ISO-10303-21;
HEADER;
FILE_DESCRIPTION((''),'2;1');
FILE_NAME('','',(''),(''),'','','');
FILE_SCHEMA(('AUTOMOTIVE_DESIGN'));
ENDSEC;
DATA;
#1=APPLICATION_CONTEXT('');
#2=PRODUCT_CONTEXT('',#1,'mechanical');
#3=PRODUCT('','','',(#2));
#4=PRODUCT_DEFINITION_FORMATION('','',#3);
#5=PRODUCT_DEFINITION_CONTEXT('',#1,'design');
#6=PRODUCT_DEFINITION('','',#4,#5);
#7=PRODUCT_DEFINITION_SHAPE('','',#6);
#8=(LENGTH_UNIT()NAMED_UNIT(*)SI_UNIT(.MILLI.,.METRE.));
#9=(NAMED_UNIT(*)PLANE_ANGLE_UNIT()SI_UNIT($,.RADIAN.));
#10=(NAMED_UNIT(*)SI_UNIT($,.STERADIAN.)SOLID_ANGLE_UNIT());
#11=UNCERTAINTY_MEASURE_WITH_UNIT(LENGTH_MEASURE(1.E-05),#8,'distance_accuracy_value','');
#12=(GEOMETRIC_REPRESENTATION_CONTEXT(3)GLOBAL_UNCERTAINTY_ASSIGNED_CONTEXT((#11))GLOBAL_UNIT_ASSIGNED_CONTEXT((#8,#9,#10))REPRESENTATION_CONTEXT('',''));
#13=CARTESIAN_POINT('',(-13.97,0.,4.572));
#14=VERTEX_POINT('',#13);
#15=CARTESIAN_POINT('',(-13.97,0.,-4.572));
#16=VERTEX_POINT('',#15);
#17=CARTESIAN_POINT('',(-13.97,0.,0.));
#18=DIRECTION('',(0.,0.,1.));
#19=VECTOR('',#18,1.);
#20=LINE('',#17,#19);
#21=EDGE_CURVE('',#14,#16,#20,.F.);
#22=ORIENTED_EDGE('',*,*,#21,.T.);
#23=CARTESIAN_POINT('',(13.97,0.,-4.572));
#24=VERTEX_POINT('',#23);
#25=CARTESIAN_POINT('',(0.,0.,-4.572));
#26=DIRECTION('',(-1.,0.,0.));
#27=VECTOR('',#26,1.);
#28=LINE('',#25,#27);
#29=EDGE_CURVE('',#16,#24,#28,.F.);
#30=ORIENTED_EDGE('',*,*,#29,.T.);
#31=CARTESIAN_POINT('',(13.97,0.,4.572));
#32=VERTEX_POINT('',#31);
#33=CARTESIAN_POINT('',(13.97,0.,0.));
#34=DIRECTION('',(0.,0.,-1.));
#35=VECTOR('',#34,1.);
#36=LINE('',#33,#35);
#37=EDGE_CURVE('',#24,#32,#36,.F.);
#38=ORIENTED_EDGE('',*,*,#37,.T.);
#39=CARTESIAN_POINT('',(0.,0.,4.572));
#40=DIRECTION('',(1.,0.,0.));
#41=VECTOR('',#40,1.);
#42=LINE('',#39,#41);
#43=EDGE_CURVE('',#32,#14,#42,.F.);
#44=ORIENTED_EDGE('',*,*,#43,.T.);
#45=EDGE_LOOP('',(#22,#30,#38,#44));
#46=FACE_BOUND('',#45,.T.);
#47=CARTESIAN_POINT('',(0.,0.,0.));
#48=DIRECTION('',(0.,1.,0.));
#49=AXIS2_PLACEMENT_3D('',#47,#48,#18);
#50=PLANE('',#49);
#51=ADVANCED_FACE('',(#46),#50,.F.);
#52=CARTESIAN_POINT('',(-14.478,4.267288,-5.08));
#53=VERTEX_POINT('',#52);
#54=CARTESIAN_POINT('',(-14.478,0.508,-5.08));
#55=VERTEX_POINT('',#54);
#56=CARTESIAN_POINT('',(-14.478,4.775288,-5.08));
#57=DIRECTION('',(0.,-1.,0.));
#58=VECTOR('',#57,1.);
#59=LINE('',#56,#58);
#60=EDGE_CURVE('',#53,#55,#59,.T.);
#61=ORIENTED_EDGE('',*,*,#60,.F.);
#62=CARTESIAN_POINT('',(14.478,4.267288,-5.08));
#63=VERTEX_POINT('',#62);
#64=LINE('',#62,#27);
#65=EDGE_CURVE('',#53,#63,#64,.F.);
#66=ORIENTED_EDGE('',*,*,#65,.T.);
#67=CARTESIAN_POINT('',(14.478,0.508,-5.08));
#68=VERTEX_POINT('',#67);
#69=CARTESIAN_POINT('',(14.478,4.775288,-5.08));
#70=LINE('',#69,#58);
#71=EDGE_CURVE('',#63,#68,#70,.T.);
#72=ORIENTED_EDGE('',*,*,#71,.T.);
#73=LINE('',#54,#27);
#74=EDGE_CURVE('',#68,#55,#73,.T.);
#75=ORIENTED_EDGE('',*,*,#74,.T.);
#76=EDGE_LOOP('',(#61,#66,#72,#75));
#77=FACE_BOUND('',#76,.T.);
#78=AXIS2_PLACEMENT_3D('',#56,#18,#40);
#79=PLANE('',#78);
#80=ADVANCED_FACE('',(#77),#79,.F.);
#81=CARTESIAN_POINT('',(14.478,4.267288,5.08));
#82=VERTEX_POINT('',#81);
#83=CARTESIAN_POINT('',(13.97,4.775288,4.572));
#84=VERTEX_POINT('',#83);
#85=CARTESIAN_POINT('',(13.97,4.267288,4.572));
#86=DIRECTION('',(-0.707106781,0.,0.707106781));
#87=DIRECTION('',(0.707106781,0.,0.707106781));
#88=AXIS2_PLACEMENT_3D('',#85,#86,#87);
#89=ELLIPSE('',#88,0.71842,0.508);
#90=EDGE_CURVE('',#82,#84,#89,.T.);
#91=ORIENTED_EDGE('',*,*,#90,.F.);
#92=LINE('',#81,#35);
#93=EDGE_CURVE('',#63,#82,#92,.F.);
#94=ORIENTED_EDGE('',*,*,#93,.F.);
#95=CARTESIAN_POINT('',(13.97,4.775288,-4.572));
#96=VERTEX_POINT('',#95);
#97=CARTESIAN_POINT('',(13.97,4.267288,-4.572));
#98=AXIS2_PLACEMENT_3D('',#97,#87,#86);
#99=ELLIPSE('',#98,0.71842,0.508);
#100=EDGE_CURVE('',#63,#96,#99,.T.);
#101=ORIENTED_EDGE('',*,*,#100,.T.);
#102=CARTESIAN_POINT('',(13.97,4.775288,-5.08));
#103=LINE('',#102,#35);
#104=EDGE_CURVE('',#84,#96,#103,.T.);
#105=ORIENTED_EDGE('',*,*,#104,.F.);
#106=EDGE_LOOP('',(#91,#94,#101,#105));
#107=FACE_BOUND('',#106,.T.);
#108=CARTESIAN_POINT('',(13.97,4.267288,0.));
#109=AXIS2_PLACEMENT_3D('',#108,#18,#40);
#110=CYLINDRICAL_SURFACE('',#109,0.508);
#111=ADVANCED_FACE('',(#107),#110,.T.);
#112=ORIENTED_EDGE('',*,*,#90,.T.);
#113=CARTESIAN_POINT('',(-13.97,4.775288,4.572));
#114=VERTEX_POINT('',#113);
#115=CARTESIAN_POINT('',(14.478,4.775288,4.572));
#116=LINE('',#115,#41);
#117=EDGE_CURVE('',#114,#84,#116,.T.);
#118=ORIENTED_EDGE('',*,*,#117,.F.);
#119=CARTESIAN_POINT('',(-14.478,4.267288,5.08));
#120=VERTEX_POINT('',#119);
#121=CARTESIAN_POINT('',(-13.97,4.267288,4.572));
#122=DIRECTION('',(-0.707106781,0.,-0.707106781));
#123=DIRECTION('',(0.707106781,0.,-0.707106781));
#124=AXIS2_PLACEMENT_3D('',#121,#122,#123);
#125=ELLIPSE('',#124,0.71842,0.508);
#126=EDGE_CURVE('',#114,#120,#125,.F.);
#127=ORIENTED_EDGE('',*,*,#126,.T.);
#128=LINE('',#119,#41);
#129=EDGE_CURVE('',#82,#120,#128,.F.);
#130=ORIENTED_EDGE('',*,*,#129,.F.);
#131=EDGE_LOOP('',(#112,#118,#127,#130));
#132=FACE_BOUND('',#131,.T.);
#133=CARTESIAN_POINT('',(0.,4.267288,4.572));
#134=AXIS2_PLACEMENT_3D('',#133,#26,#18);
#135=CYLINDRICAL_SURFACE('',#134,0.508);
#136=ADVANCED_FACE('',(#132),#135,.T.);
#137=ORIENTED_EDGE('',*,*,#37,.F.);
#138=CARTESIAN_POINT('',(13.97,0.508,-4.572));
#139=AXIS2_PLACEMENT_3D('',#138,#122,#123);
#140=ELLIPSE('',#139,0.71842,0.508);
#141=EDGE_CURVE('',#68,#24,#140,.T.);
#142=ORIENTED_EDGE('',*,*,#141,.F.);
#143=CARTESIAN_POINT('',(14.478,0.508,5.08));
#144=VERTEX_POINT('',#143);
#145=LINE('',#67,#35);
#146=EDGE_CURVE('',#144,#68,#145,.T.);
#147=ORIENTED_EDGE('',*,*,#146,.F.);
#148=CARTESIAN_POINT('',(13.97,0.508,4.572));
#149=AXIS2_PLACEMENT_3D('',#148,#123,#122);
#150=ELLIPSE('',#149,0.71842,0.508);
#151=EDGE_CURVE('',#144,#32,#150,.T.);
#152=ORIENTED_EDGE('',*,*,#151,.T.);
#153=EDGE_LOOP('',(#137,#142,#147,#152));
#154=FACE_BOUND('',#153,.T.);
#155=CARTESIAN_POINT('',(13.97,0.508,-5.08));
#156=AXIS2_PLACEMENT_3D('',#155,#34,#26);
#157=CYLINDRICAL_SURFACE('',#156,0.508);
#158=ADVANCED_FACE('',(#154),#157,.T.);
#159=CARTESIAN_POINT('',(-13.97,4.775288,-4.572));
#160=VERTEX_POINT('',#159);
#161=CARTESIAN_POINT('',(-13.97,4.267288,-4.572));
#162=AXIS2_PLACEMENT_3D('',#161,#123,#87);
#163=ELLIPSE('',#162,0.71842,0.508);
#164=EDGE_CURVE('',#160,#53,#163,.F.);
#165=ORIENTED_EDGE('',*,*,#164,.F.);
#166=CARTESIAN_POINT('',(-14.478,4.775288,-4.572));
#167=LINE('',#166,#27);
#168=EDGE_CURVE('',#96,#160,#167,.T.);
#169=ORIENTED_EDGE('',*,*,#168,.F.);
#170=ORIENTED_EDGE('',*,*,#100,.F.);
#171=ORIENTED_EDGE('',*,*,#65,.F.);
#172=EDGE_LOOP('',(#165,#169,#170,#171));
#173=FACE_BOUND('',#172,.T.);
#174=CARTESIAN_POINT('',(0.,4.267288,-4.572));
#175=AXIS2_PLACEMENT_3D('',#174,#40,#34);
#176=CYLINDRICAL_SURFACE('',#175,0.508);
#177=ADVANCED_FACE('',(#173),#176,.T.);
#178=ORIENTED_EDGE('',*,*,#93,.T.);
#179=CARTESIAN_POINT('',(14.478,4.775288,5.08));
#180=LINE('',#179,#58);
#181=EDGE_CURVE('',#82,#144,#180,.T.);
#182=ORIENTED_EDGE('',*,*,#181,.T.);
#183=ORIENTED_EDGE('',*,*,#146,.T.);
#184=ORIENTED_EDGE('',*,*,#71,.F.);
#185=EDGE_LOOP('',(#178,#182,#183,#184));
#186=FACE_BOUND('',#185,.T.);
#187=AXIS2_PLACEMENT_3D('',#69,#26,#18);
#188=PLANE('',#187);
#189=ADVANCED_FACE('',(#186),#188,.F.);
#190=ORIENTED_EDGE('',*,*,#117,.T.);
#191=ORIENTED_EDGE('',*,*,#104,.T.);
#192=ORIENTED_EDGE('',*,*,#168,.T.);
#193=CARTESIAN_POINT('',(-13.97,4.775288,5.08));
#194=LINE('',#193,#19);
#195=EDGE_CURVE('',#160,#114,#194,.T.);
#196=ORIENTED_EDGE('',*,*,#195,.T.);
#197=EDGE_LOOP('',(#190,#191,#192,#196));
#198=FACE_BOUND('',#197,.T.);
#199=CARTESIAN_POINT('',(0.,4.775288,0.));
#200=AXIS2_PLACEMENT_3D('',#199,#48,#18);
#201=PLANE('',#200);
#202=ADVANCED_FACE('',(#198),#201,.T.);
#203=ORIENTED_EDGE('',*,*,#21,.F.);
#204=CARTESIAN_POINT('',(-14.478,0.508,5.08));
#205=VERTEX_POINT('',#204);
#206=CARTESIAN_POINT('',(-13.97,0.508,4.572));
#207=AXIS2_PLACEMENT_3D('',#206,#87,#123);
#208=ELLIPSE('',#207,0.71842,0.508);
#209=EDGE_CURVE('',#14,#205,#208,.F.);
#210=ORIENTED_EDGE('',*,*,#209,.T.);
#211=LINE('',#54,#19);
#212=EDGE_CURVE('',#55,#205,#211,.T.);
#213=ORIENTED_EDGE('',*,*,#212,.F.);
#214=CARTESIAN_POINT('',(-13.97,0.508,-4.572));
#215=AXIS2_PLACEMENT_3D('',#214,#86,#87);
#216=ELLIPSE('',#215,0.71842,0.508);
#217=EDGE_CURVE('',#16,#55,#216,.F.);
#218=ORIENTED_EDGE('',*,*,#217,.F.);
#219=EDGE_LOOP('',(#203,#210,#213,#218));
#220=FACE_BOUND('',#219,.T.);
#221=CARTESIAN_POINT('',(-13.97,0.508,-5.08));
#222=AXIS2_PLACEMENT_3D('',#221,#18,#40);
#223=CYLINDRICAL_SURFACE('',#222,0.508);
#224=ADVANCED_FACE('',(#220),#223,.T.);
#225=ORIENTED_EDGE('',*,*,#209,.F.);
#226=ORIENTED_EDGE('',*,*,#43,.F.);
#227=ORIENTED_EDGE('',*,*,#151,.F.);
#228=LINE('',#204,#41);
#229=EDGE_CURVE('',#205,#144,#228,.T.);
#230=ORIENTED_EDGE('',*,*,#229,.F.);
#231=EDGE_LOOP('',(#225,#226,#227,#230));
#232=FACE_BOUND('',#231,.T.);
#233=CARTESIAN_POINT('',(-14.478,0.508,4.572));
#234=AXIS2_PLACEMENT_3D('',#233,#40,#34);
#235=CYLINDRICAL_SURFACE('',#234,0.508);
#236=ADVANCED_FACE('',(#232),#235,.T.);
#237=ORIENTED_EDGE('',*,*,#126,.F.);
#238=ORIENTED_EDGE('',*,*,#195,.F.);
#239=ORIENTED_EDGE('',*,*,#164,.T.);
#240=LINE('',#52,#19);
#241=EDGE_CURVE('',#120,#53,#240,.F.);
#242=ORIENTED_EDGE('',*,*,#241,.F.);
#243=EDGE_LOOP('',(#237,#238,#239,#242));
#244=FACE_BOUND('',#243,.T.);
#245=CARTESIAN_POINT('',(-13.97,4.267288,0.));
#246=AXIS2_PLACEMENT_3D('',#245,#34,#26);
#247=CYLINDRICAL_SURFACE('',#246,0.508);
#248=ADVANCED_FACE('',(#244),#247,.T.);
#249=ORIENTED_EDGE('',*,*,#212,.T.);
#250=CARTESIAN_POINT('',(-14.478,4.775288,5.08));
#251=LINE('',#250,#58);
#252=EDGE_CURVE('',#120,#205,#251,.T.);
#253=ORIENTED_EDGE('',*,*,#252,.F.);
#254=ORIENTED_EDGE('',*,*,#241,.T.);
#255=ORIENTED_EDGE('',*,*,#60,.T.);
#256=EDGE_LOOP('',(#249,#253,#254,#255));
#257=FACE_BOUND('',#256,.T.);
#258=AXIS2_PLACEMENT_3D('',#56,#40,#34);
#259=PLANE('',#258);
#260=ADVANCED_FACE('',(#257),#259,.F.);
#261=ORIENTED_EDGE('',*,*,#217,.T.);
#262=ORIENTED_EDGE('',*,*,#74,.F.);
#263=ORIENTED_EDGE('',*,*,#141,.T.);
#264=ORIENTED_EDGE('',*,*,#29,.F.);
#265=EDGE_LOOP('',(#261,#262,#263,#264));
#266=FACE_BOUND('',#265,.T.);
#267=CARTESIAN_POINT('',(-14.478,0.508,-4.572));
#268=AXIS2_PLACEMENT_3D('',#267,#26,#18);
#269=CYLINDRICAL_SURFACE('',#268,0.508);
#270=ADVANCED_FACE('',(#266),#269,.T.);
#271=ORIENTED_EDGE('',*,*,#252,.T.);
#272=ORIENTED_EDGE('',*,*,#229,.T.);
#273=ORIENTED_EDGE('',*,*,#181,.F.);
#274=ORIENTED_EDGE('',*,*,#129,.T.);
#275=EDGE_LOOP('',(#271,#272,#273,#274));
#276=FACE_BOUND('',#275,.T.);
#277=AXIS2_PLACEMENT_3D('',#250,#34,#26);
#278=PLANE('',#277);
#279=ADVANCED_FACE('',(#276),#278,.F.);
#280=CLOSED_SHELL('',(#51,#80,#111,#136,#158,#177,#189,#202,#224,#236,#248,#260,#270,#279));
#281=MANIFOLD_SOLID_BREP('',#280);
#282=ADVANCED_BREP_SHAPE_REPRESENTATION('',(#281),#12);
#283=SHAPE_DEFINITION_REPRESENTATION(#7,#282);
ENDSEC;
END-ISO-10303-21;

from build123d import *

# Parameters (mm, degrees)
SKETCH1_W           = 28.956
SKETCH1_H           = 10.16
BOSS_EXTRUDE1_DEPTH = 4.775287897
FILLET1_R           = 0.508


with BuildPart() as part:
    # Sketch1 → Boss-Extrude1 (new body)
    with BuildSketch(Plane(origin=(0, 0, 0), x_dir=(1, 0, 0), z_dir=(0, 1, 0))):
        Rectangle(SKETCH1_W, SKETCH1_H)
    extrude(amount=BOSS_EXTRUDE1_DEPTH)

    # Fillet1
    fillet1_edges = [part.edges().sort_by_distance(p)[0] for p in [
        (-14.478, 4.775287897, 0),
        (0, 4.775287897, 5.08),
        (14.478, 4.775287897, 0),
        (0, 0, 5.08),
        (-14.478, 0, 0),
        (0, 0, -5.08),
        (14.478, 0, 0),
        (0, 4.775287897, -5.08),
    ]]
    fillet(fillet1_edges, radius=FILLET1_R)


solid = part.part
